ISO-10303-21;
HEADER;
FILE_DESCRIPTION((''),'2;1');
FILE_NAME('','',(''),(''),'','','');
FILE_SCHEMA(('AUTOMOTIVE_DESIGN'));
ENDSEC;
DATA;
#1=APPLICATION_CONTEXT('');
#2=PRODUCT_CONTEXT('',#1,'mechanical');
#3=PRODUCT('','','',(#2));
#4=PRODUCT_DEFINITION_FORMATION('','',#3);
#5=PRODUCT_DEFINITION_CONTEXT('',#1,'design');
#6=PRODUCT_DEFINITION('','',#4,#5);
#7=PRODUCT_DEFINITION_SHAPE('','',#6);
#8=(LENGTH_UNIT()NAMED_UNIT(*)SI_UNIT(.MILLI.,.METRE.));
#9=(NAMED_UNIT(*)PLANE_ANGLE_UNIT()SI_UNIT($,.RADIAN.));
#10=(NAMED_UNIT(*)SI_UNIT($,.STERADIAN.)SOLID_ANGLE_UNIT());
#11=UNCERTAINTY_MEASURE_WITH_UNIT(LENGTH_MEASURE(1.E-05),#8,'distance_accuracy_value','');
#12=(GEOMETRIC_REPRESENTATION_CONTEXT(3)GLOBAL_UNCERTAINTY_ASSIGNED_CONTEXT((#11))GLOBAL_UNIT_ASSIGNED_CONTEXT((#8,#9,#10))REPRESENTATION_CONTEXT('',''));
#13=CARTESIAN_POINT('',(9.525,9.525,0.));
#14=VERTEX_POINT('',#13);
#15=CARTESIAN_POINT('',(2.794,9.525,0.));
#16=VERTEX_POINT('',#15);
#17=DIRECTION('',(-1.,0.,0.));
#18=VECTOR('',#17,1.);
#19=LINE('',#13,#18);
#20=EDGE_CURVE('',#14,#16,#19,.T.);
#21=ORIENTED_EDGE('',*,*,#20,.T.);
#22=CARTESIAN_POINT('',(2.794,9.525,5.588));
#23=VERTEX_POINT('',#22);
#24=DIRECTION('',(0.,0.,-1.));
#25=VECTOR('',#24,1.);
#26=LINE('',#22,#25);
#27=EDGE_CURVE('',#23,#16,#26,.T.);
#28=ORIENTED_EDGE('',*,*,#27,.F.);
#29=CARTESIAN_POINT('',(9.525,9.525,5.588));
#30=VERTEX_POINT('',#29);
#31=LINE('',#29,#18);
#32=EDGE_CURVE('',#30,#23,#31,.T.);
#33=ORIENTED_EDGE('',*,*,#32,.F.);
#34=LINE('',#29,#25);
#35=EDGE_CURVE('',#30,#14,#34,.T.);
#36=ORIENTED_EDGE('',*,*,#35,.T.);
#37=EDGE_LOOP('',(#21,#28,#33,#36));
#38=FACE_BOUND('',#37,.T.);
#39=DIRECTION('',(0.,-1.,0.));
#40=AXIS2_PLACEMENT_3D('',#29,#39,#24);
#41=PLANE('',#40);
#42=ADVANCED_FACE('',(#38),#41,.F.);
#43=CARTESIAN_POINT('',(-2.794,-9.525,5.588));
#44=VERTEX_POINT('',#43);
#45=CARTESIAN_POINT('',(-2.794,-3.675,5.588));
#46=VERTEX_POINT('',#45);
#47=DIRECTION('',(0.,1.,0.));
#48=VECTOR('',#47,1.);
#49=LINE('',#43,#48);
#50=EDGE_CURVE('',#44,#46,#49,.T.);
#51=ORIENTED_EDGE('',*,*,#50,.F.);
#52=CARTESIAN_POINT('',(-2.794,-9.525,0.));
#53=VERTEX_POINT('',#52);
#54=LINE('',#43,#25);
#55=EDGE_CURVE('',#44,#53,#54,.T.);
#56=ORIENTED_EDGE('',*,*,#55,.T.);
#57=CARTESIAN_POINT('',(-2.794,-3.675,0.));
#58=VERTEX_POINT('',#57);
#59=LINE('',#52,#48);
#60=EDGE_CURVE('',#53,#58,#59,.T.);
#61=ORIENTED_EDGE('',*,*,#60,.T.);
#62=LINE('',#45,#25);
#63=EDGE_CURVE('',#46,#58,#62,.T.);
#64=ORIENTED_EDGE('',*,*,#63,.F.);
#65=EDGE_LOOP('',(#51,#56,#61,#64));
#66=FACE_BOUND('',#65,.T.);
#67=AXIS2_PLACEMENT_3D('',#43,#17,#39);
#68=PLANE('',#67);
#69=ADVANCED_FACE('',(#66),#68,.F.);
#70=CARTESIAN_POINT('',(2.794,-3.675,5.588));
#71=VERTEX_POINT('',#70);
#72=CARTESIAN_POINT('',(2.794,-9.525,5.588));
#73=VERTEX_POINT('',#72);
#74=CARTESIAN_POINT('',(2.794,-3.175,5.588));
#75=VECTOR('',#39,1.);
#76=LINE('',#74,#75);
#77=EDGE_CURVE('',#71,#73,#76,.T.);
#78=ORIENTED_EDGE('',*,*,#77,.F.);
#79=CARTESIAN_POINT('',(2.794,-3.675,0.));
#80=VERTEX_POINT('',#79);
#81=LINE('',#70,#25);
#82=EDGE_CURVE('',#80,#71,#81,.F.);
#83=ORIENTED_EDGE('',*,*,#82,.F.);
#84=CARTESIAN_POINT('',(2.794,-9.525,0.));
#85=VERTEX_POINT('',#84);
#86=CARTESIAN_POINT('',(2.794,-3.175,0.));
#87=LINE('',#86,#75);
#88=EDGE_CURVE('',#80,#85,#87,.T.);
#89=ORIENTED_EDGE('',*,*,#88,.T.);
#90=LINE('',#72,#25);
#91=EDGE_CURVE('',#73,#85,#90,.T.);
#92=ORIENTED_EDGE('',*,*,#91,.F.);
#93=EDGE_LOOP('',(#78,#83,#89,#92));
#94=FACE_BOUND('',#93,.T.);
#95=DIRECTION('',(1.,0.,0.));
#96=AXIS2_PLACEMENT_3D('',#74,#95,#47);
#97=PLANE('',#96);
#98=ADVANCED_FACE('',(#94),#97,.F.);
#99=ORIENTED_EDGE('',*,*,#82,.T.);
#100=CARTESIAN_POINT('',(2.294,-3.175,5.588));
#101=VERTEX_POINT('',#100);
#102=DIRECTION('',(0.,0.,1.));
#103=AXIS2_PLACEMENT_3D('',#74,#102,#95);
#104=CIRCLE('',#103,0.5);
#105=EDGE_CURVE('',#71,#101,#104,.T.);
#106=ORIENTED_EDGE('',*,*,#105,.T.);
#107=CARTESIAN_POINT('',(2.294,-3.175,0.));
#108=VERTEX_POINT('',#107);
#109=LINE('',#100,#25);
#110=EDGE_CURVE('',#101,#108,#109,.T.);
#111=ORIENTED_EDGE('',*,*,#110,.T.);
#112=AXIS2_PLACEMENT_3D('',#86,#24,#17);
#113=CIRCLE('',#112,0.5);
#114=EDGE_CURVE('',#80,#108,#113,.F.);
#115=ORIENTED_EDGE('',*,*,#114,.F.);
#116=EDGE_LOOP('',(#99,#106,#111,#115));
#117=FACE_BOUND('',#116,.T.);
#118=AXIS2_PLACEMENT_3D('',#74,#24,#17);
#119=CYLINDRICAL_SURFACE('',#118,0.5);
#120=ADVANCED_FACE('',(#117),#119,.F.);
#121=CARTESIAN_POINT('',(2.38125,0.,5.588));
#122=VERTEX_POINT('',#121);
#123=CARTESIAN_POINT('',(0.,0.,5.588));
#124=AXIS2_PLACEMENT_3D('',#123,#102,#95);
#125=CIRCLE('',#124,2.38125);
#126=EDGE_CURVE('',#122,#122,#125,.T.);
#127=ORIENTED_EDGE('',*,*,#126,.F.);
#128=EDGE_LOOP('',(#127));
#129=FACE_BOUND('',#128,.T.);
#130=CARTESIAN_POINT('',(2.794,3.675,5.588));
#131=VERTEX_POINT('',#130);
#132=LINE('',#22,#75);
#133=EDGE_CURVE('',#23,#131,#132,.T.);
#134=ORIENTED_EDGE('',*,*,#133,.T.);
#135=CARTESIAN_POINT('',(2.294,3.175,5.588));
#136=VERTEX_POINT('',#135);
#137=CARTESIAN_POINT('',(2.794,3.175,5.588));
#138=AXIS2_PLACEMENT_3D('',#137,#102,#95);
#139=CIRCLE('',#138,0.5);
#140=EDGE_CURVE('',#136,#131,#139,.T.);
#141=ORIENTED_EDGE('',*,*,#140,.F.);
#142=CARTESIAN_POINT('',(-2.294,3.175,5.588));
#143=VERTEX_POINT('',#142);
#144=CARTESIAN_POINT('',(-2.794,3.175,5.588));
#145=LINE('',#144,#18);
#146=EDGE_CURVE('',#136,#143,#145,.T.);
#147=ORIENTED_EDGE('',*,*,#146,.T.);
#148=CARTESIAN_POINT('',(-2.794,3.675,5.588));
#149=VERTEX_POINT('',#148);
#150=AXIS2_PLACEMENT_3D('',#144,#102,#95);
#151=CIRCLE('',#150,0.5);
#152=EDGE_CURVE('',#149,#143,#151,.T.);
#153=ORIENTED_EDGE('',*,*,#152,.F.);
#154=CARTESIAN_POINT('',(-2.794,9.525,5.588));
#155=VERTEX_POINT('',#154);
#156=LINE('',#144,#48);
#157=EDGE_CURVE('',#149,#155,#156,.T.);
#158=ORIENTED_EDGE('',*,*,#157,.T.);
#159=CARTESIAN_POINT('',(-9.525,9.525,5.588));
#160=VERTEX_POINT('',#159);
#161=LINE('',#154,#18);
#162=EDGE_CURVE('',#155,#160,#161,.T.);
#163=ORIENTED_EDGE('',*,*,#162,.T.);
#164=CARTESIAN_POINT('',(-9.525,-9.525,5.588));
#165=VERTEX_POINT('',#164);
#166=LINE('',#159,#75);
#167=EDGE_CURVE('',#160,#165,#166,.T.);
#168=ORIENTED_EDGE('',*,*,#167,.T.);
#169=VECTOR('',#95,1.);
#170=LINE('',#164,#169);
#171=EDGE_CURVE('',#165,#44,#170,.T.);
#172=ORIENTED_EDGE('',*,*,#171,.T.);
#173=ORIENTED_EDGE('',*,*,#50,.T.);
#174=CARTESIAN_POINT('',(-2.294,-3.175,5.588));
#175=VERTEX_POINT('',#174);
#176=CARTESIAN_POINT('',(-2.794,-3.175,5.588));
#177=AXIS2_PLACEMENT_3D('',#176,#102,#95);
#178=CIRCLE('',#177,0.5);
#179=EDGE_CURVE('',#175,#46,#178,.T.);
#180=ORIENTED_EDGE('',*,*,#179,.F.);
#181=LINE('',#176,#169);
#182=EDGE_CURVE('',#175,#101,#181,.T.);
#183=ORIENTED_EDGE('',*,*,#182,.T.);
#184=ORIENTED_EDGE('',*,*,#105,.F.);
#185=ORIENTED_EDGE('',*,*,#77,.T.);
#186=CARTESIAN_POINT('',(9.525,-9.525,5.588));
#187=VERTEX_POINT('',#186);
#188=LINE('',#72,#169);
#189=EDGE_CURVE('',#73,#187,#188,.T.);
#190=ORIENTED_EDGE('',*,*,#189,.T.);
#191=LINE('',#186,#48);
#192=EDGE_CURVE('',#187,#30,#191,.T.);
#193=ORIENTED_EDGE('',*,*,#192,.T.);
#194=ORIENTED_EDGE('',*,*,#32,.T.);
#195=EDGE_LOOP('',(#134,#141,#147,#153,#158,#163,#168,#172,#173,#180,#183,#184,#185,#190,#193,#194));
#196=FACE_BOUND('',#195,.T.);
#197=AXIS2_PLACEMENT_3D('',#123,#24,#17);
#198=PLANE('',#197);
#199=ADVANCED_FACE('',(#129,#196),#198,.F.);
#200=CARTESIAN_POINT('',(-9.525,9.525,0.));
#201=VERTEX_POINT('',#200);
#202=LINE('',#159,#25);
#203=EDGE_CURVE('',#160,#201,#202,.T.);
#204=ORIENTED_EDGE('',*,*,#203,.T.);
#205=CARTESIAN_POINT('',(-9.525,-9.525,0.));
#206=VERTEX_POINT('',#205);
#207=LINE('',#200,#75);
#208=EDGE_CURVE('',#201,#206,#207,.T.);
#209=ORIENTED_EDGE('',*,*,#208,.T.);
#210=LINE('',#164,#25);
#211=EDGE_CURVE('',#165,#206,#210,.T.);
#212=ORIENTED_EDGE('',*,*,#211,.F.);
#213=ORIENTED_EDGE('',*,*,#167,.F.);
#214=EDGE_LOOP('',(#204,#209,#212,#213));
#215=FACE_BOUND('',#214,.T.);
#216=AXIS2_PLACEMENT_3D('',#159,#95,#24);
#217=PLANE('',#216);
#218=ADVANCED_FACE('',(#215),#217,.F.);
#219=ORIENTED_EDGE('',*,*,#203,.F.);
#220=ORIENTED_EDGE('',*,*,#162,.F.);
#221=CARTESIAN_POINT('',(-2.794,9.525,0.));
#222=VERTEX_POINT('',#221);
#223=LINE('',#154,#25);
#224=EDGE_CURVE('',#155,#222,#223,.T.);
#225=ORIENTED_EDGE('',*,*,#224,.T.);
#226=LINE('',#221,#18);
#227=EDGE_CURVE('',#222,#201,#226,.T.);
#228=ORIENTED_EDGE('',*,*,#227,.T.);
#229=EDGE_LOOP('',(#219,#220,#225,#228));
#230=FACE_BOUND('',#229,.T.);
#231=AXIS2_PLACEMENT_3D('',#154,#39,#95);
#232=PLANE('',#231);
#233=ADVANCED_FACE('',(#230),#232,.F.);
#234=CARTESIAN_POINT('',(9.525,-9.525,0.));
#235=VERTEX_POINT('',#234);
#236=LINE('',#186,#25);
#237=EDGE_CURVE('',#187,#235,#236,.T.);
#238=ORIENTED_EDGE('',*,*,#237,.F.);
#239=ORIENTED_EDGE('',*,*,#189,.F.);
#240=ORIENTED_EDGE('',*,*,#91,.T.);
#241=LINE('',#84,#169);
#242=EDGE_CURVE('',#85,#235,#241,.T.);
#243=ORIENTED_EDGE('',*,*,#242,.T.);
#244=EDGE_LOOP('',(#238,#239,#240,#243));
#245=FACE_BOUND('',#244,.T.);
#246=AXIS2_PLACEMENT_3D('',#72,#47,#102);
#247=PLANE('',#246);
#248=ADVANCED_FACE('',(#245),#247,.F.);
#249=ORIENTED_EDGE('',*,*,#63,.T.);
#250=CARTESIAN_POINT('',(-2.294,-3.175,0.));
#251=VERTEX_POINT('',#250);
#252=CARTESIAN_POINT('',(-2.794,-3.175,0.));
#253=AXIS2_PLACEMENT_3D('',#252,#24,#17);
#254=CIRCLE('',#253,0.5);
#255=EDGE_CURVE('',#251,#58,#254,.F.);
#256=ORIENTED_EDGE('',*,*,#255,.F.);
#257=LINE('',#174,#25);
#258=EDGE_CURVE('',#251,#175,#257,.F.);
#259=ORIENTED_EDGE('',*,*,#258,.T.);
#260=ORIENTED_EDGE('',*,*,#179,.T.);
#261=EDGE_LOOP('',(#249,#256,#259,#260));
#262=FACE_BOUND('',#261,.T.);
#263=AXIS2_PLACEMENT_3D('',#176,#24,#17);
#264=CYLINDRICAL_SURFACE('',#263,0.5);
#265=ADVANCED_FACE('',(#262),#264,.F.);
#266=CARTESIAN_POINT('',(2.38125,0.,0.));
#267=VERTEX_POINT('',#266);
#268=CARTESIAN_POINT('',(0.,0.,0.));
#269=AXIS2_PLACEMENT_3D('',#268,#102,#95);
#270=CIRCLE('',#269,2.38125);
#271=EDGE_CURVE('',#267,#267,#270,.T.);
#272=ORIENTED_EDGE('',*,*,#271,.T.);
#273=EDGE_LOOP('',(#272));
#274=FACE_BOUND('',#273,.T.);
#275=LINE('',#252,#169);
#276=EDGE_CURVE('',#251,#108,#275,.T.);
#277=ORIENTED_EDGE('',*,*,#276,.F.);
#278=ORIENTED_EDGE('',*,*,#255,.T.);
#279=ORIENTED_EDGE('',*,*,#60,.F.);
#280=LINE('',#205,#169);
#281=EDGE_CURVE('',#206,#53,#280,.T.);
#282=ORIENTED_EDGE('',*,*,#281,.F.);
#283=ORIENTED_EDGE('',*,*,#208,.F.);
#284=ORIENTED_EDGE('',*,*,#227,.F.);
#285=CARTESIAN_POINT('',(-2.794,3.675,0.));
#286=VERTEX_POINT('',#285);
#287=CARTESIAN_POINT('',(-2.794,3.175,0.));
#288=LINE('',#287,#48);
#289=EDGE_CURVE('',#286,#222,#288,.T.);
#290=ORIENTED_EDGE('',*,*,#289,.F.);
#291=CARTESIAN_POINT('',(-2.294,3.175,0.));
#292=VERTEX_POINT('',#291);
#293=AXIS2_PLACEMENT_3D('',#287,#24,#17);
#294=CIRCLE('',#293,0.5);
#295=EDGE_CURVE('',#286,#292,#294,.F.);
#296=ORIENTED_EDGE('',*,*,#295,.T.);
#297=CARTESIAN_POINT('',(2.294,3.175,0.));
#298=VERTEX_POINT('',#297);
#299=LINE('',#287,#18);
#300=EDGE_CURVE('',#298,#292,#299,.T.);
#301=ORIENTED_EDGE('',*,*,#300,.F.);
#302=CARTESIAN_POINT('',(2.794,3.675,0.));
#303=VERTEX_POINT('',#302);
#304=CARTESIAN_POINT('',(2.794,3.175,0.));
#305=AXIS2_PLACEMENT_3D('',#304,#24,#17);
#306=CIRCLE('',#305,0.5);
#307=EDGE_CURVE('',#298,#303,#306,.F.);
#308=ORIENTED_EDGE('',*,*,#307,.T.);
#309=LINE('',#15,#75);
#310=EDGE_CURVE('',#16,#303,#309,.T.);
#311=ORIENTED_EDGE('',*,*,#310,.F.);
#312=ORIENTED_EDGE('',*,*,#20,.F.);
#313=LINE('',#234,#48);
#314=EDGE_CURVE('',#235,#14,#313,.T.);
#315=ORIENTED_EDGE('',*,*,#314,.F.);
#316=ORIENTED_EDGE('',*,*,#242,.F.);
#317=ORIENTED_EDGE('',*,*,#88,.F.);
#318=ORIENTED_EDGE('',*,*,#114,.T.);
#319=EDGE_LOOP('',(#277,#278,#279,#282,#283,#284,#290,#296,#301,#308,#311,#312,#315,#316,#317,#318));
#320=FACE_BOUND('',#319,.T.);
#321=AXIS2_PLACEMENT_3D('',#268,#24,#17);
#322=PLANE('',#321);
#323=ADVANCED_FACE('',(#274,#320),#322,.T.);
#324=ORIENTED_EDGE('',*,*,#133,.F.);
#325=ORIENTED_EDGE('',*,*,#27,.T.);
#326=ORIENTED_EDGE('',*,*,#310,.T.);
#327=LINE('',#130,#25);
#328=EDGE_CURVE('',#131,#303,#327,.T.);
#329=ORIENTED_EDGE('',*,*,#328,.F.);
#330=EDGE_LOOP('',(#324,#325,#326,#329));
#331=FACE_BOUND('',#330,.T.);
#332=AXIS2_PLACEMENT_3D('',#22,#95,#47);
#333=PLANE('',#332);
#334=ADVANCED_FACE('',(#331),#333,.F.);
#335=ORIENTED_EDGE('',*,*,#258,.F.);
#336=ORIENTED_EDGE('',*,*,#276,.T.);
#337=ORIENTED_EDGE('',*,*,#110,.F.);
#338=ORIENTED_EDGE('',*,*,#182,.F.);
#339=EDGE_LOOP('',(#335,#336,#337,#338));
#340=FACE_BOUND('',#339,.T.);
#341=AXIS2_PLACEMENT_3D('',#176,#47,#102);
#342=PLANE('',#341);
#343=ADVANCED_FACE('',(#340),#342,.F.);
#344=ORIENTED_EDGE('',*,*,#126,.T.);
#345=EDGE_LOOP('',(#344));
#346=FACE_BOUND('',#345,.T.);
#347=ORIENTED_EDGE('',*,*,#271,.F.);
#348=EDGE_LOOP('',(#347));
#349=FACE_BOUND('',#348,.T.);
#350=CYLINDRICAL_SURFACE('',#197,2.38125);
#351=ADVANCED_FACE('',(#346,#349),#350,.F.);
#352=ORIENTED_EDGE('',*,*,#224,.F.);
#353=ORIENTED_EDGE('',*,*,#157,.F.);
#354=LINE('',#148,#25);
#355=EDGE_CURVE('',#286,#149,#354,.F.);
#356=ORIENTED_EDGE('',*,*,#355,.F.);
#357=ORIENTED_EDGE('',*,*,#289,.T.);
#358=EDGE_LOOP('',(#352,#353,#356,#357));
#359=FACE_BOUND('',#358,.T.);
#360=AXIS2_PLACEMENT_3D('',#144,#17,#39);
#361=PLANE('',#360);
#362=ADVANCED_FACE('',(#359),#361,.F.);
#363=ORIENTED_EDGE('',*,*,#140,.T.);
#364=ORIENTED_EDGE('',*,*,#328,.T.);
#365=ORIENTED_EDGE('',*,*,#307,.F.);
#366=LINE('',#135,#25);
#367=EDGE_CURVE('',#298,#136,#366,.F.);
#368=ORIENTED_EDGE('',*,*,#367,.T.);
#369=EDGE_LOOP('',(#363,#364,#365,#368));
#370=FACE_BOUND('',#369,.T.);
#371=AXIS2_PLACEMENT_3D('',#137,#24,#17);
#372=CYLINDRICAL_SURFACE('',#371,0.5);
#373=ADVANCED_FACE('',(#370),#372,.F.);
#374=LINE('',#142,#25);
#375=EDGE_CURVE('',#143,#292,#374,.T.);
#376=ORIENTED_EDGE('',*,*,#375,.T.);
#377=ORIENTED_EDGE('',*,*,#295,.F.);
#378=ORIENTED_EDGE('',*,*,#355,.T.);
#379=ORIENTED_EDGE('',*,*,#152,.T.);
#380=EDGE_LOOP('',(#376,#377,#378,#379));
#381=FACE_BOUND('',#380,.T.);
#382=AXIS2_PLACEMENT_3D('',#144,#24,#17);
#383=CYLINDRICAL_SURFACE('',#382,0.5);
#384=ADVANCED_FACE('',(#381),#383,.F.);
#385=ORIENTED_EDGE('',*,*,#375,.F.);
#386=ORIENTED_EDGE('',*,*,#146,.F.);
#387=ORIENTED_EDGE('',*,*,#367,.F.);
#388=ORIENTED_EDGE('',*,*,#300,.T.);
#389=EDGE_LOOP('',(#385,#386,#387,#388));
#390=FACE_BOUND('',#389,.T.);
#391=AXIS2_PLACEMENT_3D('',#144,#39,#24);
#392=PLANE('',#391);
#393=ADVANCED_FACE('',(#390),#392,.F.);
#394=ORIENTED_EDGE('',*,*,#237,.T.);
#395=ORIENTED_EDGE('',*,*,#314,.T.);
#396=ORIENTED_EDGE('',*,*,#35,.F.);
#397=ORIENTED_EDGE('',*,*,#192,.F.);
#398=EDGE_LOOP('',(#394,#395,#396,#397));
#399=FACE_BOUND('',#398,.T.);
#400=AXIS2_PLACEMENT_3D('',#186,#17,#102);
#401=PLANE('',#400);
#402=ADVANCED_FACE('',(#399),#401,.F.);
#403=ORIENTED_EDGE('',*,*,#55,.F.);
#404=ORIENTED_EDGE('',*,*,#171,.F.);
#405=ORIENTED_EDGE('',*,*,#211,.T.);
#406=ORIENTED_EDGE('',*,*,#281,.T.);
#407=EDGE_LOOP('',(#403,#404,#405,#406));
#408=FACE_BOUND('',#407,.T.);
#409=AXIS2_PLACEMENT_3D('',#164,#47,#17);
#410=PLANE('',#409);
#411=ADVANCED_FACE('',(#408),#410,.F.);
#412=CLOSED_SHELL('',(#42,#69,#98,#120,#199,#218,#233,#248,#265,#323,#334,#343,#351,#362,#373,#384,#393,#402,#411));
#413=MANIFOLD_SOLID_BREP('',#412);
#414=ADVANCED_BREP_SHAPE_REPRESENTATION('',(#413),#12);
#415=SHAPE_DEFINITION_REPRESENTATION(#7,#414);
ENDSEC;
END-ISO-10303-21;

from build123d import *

# Parameters (mm, degrees)
SKETCH1_R               = 2.38125
BOSS_EXTRUDE1_DEPTH     = 5.588
CUT_EXTRUDE2_DEPTH      = 15.583449318
CUT_EXTRUDE2_DEPTH_BACK = 15.583449318
SKETCH2_R               = 0.5


with BuildPart() as part:
    # Sketch1 → Boss-Extrude1 (new body)
    with BuildSketch(Plane.XY):
        Polygon((-2.794, 3.175), (-2.794, 9.525), (-9.525, 9.525), (-9.525, -9.525), (-2.794, -9.525), (-2.794, -3.175), (2.794, -3.175), (2.794, -9.525), (9.525, -9.525), (9.525, 9.525), (2.794, 9.525), (2.794, 3.175), align=None)
        Circle(SKETCH1_R, mode=Mode.SUBTRACT)
    extrude(amount=BOSS_EXTRUDE1_DEPTH)

    # Sketch2 → Cut-Extrude2 (cut, two sides: drawn at the far end of the back side and taken through both)
    with BuildSketch(Plane.XY.offset(-CUT_EXTRUDE2_DEPTH_BACK)):
        with Locations((-2.794, 3.175)):
            Circle(SKETCH2_R)
        with Locations((2.794, 3.175)):
            Circle(SKETCH2_R)
        with Locations((2.794, -3.175)):
            Circle(SKETCH2_R)
        with Locations((-2.794, -3.175)):
            Circle(SKETCH2_R)
    extrude(amount=CUT_EXTRUDE2_DEPTH + CUT_EXTRUDE2_DEPTH_BACK, mode=Mode.SUBTRACT)


solid = part.part
